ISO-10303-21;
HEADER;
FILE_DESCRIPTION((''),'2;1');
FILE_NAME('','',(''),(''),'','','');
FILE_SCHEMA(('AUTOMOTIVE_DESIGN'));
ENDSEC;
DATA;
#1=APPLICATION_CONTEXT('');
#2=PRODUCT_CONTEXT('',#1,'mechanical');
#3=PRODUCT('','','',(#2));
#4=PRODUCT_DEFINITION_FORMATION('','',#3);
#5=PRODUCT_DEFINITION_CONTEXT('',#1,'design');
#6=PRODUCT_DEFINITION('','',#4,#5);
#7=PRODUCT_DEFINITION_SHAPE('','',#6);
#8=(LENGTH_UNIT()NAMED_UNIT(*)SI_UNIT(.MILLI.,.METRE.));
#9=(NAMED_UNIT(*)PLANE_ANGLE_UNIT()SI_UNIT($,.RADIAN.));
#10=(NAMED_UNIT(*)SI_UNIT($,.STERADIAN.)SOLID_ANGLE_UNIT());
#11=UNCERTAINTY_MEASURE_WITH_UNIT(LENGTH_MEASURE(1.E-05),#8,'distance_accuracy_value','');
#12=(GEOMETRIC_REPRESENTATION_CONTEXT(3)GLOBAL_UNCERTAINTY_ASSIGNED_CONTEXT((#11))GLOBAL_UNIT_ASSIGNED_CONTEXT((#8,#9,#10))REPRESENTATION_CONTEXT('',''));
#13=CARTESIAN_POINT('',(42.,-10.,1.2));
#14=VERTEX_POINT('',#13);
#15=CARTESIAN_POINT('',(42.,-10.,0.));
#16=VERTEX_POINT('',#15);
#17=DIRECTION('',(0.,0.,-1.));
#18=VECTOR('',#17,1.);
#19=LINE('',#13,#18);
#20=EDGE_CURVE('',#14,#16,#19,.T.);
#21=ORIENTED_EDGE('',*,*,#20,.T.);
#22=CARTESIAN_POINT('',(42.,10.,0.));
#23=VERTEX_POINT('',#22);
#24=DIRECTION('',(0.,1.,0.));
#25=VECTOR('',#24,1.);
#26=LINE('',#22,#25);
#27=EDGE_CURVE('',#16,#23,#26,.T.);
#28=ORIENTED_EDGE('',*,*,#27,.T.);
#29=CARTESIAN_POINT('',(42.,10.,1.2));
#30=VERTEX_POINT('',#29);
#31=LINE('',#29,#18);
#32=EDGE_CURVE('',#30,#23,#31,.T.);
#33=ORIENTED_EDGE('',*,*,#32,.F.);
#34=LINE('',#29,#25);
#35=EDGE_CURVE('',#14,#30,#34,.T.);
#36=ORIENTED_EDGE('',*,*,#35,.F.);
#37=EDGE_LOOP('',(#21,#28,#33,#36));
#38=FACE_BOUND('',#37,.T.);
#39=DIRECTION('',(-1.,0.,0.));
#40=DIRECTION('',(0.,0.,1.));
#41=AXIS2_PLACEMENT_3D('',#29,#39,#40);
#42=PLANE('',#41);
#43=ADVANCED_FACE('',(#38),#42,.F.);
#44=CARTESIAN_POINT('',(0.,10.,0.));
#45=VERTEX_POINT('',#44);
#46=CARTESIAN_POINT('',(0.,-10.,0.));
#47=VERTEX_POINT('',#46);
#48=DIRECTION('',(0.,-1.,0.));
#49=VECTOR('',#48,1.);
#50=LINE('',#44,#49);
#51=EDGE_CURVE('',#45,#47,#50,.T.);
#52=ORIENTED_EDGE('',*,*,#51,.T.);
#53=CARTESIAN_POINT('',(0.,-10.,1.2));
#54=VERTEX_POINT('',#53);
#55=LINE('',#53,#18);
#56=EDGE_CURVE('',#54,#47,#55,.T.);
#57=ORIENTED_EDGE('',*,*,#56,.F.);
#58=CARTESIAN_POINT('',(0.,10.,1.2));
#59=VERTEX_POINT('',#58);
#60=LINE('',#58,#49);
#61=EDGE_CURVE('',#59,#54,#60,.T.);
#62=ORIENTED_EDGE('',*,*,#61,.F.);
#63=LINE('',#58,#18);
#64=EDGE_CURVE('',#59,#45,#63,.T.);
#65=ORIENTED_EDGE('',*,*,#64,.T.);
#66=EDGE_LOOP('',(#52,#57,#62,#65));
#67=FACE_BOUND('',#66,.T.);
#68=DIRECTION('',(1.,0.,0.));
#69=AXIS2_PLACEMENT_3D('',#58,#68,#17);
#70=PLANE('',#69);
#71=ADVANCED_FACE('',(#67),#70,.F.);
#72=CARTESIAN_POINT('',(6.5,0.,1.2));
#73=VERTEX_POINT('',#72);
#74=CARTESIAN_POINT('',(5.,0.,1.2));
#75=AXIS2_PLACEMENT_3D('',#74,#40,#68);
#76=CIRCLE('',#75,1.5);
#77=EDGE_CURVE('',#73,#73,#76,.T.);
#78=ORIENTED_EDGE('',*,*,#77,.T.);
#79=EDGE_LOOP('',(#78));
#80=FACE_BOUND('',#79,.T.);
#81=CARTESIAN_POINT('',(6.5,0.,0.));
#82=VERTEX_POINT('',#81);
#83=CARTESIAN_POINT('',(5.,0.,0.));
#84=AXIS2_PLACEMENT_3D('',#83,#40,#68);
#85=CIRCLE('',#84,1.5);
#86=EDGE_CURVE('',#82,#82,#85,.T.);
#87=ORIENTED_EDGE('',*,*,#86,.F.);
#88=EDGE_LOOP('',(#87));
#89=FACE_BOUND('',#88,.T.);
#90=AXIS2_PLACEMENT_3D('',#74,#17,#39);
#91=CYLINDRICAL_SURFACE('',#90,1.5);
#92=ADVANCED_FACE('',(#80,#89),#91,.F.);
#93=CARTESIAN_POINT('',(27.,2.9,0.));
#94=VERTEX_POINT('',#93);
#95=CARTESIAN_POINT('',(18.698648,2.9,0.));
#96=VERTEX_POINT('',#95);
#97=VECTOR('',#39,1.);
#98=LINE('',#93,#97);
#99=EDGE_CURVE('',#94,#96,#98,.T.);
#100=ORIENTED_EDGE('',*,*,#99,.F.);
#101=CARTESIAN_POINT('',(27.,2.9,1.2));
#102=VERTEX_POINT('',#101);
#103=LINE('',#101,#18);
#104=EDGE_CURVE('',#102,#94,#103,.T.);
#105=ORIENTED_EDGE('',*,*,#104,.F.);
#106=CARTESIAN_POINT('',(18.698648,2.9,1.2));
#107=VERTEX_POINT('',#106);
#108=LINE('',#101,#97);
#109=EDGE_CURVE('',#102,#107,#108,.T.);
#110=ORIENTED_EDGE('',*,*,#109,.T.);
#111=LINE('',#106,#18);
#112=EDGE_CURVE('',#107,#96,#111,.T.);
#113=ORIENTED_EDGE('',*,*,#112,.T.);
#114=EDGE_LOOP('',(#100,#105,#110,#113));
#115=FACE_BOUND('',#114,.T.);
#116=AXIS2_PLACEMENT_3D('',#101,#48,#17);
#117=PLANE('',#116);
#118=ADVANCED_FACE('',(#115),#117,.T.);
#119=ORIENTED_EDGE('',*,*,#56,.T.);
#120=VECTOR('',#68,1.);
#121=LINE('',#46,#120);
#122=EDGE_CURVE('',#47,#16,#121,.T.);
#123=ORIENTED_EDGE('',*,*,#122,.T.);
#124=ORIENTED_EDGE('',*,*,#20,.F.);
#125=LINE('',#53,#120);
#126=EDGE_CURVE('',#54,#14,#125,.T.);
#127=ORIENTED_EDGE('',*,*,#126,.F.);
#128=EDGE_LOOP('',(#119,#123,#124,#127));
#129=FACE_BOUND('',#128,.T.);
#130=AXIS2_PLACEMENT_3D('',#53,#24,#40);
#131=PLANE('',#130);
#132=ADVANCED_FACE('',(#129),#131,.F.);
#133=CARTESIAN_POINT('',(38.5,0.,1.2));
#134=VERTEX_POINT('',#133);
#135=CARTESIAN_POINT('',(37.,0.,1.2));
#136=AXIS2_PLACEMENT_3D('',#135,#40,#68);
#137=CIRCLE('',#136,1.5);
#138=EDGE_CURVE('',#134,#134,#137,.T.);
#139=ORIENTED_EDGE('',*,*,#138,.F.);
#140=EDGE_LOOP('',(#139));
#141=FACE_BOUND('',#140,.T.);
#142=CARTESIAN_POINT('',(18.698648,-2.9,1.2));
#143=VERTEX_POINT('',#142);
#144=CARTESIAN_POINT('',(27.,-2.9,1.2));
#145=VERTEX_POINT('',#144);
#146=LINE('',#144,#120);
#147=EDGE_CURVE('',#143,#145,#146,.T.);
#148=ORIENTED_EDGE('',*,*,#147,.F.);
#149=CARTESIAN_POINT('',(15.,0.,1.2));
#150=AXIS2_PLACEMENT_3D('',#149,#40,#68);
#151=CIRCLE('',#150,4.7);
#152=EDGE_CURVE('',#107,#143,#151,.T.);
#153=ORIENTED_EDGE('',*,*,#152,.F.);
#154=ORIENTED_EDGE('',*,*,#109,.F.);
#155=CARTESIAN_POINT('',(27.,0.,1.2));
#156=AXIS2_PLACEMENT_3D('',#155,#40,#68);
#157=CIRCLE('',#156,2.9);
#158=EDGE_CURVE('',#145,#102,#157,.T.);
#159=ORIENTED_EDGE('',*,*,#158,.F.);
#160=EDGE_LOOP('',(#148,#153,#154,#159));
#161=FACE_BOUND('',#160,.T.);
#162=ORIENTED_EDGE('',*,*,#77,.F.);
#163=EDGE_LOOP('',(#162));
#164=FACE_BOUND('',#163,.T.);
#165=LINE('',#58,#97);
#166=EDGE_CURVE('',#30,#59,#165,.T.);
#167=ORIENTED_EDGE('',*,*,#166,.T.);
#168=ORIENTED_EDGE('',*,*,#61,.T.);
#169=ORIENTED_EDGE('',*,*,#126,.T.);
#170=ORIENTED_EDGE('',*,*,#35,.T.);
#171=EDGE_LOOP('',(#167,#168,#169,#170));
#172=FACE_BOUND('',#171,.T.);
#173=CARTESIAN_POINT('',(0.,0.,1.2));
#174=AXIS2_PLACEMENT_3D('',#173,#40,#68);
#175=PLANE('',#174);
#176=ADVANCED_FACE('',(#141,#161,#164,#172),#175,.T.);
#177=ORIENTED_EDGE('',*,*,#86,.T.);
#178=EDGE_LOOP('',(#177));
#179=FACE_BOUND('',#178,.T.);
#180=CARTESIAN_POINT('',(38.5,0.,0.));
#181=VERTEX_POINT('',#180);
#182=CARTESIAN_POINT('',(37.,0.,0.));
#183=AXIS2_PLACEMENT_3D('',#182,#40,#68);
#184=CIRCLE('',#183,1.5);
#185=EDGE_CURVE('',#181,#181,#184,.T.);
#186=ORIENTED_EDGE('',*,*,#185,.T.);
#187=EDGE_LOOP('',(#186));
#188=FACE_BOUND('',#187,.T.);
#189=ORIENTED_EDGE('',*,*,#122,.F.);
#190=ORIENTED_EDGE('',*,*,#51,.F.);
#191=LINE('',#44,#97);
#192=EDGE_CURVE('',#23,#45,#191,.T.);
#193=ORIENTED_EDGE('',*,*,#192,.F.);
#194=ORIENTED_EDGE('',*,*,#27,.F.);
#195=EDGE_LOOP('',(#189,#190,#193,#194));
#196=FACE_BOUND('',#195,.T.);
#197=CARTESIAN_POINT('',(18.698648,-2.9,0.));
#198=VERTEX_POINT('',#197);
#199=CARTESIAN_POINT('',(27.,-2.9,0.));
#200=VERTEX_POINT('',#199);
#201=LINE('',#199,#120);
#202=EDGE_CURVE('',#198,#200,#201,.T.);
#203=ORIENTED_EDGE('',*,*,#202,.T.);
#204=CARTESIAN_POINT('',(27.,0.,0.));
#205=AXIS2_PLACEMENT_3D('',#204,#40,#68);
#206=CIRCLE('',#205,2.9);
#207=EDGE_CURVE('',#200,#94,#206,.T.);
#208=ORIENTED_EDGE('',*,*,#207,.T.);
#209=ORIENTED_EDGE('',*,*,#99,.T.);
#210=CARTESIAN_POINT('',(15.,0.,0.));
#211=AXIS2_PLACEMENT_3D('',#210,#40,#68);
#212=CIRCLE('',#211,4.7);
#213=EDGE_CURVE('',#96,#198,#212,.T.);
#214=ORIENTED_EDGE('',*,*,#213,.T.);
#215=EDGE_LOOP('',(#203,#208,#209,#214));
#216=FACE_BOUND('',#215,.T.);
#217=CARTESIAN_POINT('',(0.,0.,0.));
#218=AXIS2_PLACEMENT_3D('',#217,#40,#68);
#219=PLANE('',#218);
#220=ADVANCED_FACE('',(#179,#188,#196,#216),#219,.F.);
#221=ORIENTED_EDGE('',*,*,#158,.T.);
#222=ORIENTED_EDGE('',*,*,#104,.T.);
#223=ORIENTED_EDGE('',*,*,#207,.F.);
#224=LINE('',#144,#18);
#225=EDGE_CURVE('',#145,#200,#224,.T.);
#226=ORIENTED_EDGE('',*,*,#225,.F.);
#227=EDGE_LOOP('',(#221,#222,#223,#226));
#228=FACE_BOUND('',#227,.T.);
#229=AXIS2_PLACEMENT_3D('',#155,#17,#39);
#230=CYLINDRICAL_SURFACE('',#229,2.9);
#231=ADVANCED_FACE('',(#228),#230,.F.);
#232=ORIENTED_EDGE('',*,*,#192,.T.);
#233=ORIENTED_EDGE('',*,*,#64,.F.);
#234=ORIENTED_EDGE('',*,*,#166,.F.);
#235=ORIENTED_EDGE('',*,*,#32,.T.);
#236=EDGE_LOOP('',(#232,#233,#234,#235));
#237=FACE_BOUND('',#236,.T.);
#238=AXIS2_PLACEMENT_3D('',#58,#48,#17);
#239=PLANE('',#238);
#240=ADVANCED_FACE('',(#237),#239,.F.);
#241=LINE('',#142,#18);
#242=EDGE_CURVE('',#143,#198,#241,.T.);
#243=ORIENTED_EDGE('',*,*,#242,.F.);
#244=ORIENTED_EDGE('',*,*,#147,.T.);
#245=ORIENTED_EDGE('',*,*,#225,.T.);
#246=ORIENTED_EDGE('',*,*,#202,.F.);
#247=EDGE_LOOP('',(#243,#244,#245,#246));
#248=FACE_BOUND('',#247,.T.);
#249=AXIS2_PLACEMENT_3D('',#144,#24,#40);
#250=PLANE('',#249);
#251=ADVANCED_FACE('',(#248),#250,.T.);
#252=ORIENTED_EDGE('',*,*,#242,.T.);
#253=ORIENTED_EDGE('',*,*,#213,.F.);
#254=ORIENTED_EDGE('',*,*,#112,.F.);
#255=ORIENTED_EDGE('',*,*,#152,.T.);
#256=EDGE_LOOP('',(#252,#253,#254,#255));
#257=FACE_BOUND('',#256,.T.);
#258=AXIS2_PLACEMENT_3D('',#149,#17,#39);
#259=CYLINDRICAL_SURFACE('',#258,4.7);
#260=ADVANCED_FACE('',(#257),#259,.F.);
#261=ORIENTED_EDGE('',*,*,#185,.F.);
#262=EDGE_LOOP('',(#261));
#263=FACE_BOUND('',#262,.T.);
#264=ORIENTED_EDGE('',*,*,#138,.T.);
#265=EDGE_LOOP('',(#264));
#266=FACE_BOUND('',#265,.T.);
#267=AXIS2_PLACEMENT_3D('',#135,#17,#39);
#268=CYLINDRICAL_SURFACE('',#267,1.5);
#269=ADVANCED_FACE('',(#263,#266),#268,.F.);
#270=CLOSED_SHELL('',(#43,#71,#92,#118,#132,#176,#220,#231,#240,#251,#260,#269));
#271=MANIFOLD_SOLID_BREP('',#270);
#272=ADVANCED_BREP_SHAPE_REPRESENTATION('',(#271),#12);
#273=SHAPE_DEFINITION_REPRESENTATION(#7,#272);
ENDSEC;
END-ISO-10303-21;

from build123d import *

# Parameters (mm, degrees)
ESQUISSE1_W        = 42
ESQUISSE1_H        = 20
ESQUISSE1_R        = 1.5
BOSS_EXTRU_1_DEPTH = 1.2


with BuildPart() as part:
    # Esquisse1 → Boss.-Extru.1 (new body)
    with BuildSketch(Plane.XY):
        with Locations((21, 0)):
            Rectangle(ESQUISSE1_W, ESQUISSE1_H)
        with Locations((37, 0)):
            Circle(ESQUISSE1_R, mode=Mode.SUBTRACT)
        with Locations((5, 0)):
            Circle(ESQUISSE1_R, mode=Mode.SUBTRACT)
        with BuildLine():
            Line((27, 2.9), (18.698648402, 2.9))
            ThreePointArc((18.698648402, 2.9), (10.3, 0), (18.698648402, -2.9))
            Line((18.698648402, -2.9), (27, -2.9))
            ThreePointArc((27, -2.9), (29.9, 0), (27, 2.9))
        make_face(mode=Mode.SUBTRACT)
    extrude(amount=BOSS_EXTRU_1_DEPTH)


solid = part.part
